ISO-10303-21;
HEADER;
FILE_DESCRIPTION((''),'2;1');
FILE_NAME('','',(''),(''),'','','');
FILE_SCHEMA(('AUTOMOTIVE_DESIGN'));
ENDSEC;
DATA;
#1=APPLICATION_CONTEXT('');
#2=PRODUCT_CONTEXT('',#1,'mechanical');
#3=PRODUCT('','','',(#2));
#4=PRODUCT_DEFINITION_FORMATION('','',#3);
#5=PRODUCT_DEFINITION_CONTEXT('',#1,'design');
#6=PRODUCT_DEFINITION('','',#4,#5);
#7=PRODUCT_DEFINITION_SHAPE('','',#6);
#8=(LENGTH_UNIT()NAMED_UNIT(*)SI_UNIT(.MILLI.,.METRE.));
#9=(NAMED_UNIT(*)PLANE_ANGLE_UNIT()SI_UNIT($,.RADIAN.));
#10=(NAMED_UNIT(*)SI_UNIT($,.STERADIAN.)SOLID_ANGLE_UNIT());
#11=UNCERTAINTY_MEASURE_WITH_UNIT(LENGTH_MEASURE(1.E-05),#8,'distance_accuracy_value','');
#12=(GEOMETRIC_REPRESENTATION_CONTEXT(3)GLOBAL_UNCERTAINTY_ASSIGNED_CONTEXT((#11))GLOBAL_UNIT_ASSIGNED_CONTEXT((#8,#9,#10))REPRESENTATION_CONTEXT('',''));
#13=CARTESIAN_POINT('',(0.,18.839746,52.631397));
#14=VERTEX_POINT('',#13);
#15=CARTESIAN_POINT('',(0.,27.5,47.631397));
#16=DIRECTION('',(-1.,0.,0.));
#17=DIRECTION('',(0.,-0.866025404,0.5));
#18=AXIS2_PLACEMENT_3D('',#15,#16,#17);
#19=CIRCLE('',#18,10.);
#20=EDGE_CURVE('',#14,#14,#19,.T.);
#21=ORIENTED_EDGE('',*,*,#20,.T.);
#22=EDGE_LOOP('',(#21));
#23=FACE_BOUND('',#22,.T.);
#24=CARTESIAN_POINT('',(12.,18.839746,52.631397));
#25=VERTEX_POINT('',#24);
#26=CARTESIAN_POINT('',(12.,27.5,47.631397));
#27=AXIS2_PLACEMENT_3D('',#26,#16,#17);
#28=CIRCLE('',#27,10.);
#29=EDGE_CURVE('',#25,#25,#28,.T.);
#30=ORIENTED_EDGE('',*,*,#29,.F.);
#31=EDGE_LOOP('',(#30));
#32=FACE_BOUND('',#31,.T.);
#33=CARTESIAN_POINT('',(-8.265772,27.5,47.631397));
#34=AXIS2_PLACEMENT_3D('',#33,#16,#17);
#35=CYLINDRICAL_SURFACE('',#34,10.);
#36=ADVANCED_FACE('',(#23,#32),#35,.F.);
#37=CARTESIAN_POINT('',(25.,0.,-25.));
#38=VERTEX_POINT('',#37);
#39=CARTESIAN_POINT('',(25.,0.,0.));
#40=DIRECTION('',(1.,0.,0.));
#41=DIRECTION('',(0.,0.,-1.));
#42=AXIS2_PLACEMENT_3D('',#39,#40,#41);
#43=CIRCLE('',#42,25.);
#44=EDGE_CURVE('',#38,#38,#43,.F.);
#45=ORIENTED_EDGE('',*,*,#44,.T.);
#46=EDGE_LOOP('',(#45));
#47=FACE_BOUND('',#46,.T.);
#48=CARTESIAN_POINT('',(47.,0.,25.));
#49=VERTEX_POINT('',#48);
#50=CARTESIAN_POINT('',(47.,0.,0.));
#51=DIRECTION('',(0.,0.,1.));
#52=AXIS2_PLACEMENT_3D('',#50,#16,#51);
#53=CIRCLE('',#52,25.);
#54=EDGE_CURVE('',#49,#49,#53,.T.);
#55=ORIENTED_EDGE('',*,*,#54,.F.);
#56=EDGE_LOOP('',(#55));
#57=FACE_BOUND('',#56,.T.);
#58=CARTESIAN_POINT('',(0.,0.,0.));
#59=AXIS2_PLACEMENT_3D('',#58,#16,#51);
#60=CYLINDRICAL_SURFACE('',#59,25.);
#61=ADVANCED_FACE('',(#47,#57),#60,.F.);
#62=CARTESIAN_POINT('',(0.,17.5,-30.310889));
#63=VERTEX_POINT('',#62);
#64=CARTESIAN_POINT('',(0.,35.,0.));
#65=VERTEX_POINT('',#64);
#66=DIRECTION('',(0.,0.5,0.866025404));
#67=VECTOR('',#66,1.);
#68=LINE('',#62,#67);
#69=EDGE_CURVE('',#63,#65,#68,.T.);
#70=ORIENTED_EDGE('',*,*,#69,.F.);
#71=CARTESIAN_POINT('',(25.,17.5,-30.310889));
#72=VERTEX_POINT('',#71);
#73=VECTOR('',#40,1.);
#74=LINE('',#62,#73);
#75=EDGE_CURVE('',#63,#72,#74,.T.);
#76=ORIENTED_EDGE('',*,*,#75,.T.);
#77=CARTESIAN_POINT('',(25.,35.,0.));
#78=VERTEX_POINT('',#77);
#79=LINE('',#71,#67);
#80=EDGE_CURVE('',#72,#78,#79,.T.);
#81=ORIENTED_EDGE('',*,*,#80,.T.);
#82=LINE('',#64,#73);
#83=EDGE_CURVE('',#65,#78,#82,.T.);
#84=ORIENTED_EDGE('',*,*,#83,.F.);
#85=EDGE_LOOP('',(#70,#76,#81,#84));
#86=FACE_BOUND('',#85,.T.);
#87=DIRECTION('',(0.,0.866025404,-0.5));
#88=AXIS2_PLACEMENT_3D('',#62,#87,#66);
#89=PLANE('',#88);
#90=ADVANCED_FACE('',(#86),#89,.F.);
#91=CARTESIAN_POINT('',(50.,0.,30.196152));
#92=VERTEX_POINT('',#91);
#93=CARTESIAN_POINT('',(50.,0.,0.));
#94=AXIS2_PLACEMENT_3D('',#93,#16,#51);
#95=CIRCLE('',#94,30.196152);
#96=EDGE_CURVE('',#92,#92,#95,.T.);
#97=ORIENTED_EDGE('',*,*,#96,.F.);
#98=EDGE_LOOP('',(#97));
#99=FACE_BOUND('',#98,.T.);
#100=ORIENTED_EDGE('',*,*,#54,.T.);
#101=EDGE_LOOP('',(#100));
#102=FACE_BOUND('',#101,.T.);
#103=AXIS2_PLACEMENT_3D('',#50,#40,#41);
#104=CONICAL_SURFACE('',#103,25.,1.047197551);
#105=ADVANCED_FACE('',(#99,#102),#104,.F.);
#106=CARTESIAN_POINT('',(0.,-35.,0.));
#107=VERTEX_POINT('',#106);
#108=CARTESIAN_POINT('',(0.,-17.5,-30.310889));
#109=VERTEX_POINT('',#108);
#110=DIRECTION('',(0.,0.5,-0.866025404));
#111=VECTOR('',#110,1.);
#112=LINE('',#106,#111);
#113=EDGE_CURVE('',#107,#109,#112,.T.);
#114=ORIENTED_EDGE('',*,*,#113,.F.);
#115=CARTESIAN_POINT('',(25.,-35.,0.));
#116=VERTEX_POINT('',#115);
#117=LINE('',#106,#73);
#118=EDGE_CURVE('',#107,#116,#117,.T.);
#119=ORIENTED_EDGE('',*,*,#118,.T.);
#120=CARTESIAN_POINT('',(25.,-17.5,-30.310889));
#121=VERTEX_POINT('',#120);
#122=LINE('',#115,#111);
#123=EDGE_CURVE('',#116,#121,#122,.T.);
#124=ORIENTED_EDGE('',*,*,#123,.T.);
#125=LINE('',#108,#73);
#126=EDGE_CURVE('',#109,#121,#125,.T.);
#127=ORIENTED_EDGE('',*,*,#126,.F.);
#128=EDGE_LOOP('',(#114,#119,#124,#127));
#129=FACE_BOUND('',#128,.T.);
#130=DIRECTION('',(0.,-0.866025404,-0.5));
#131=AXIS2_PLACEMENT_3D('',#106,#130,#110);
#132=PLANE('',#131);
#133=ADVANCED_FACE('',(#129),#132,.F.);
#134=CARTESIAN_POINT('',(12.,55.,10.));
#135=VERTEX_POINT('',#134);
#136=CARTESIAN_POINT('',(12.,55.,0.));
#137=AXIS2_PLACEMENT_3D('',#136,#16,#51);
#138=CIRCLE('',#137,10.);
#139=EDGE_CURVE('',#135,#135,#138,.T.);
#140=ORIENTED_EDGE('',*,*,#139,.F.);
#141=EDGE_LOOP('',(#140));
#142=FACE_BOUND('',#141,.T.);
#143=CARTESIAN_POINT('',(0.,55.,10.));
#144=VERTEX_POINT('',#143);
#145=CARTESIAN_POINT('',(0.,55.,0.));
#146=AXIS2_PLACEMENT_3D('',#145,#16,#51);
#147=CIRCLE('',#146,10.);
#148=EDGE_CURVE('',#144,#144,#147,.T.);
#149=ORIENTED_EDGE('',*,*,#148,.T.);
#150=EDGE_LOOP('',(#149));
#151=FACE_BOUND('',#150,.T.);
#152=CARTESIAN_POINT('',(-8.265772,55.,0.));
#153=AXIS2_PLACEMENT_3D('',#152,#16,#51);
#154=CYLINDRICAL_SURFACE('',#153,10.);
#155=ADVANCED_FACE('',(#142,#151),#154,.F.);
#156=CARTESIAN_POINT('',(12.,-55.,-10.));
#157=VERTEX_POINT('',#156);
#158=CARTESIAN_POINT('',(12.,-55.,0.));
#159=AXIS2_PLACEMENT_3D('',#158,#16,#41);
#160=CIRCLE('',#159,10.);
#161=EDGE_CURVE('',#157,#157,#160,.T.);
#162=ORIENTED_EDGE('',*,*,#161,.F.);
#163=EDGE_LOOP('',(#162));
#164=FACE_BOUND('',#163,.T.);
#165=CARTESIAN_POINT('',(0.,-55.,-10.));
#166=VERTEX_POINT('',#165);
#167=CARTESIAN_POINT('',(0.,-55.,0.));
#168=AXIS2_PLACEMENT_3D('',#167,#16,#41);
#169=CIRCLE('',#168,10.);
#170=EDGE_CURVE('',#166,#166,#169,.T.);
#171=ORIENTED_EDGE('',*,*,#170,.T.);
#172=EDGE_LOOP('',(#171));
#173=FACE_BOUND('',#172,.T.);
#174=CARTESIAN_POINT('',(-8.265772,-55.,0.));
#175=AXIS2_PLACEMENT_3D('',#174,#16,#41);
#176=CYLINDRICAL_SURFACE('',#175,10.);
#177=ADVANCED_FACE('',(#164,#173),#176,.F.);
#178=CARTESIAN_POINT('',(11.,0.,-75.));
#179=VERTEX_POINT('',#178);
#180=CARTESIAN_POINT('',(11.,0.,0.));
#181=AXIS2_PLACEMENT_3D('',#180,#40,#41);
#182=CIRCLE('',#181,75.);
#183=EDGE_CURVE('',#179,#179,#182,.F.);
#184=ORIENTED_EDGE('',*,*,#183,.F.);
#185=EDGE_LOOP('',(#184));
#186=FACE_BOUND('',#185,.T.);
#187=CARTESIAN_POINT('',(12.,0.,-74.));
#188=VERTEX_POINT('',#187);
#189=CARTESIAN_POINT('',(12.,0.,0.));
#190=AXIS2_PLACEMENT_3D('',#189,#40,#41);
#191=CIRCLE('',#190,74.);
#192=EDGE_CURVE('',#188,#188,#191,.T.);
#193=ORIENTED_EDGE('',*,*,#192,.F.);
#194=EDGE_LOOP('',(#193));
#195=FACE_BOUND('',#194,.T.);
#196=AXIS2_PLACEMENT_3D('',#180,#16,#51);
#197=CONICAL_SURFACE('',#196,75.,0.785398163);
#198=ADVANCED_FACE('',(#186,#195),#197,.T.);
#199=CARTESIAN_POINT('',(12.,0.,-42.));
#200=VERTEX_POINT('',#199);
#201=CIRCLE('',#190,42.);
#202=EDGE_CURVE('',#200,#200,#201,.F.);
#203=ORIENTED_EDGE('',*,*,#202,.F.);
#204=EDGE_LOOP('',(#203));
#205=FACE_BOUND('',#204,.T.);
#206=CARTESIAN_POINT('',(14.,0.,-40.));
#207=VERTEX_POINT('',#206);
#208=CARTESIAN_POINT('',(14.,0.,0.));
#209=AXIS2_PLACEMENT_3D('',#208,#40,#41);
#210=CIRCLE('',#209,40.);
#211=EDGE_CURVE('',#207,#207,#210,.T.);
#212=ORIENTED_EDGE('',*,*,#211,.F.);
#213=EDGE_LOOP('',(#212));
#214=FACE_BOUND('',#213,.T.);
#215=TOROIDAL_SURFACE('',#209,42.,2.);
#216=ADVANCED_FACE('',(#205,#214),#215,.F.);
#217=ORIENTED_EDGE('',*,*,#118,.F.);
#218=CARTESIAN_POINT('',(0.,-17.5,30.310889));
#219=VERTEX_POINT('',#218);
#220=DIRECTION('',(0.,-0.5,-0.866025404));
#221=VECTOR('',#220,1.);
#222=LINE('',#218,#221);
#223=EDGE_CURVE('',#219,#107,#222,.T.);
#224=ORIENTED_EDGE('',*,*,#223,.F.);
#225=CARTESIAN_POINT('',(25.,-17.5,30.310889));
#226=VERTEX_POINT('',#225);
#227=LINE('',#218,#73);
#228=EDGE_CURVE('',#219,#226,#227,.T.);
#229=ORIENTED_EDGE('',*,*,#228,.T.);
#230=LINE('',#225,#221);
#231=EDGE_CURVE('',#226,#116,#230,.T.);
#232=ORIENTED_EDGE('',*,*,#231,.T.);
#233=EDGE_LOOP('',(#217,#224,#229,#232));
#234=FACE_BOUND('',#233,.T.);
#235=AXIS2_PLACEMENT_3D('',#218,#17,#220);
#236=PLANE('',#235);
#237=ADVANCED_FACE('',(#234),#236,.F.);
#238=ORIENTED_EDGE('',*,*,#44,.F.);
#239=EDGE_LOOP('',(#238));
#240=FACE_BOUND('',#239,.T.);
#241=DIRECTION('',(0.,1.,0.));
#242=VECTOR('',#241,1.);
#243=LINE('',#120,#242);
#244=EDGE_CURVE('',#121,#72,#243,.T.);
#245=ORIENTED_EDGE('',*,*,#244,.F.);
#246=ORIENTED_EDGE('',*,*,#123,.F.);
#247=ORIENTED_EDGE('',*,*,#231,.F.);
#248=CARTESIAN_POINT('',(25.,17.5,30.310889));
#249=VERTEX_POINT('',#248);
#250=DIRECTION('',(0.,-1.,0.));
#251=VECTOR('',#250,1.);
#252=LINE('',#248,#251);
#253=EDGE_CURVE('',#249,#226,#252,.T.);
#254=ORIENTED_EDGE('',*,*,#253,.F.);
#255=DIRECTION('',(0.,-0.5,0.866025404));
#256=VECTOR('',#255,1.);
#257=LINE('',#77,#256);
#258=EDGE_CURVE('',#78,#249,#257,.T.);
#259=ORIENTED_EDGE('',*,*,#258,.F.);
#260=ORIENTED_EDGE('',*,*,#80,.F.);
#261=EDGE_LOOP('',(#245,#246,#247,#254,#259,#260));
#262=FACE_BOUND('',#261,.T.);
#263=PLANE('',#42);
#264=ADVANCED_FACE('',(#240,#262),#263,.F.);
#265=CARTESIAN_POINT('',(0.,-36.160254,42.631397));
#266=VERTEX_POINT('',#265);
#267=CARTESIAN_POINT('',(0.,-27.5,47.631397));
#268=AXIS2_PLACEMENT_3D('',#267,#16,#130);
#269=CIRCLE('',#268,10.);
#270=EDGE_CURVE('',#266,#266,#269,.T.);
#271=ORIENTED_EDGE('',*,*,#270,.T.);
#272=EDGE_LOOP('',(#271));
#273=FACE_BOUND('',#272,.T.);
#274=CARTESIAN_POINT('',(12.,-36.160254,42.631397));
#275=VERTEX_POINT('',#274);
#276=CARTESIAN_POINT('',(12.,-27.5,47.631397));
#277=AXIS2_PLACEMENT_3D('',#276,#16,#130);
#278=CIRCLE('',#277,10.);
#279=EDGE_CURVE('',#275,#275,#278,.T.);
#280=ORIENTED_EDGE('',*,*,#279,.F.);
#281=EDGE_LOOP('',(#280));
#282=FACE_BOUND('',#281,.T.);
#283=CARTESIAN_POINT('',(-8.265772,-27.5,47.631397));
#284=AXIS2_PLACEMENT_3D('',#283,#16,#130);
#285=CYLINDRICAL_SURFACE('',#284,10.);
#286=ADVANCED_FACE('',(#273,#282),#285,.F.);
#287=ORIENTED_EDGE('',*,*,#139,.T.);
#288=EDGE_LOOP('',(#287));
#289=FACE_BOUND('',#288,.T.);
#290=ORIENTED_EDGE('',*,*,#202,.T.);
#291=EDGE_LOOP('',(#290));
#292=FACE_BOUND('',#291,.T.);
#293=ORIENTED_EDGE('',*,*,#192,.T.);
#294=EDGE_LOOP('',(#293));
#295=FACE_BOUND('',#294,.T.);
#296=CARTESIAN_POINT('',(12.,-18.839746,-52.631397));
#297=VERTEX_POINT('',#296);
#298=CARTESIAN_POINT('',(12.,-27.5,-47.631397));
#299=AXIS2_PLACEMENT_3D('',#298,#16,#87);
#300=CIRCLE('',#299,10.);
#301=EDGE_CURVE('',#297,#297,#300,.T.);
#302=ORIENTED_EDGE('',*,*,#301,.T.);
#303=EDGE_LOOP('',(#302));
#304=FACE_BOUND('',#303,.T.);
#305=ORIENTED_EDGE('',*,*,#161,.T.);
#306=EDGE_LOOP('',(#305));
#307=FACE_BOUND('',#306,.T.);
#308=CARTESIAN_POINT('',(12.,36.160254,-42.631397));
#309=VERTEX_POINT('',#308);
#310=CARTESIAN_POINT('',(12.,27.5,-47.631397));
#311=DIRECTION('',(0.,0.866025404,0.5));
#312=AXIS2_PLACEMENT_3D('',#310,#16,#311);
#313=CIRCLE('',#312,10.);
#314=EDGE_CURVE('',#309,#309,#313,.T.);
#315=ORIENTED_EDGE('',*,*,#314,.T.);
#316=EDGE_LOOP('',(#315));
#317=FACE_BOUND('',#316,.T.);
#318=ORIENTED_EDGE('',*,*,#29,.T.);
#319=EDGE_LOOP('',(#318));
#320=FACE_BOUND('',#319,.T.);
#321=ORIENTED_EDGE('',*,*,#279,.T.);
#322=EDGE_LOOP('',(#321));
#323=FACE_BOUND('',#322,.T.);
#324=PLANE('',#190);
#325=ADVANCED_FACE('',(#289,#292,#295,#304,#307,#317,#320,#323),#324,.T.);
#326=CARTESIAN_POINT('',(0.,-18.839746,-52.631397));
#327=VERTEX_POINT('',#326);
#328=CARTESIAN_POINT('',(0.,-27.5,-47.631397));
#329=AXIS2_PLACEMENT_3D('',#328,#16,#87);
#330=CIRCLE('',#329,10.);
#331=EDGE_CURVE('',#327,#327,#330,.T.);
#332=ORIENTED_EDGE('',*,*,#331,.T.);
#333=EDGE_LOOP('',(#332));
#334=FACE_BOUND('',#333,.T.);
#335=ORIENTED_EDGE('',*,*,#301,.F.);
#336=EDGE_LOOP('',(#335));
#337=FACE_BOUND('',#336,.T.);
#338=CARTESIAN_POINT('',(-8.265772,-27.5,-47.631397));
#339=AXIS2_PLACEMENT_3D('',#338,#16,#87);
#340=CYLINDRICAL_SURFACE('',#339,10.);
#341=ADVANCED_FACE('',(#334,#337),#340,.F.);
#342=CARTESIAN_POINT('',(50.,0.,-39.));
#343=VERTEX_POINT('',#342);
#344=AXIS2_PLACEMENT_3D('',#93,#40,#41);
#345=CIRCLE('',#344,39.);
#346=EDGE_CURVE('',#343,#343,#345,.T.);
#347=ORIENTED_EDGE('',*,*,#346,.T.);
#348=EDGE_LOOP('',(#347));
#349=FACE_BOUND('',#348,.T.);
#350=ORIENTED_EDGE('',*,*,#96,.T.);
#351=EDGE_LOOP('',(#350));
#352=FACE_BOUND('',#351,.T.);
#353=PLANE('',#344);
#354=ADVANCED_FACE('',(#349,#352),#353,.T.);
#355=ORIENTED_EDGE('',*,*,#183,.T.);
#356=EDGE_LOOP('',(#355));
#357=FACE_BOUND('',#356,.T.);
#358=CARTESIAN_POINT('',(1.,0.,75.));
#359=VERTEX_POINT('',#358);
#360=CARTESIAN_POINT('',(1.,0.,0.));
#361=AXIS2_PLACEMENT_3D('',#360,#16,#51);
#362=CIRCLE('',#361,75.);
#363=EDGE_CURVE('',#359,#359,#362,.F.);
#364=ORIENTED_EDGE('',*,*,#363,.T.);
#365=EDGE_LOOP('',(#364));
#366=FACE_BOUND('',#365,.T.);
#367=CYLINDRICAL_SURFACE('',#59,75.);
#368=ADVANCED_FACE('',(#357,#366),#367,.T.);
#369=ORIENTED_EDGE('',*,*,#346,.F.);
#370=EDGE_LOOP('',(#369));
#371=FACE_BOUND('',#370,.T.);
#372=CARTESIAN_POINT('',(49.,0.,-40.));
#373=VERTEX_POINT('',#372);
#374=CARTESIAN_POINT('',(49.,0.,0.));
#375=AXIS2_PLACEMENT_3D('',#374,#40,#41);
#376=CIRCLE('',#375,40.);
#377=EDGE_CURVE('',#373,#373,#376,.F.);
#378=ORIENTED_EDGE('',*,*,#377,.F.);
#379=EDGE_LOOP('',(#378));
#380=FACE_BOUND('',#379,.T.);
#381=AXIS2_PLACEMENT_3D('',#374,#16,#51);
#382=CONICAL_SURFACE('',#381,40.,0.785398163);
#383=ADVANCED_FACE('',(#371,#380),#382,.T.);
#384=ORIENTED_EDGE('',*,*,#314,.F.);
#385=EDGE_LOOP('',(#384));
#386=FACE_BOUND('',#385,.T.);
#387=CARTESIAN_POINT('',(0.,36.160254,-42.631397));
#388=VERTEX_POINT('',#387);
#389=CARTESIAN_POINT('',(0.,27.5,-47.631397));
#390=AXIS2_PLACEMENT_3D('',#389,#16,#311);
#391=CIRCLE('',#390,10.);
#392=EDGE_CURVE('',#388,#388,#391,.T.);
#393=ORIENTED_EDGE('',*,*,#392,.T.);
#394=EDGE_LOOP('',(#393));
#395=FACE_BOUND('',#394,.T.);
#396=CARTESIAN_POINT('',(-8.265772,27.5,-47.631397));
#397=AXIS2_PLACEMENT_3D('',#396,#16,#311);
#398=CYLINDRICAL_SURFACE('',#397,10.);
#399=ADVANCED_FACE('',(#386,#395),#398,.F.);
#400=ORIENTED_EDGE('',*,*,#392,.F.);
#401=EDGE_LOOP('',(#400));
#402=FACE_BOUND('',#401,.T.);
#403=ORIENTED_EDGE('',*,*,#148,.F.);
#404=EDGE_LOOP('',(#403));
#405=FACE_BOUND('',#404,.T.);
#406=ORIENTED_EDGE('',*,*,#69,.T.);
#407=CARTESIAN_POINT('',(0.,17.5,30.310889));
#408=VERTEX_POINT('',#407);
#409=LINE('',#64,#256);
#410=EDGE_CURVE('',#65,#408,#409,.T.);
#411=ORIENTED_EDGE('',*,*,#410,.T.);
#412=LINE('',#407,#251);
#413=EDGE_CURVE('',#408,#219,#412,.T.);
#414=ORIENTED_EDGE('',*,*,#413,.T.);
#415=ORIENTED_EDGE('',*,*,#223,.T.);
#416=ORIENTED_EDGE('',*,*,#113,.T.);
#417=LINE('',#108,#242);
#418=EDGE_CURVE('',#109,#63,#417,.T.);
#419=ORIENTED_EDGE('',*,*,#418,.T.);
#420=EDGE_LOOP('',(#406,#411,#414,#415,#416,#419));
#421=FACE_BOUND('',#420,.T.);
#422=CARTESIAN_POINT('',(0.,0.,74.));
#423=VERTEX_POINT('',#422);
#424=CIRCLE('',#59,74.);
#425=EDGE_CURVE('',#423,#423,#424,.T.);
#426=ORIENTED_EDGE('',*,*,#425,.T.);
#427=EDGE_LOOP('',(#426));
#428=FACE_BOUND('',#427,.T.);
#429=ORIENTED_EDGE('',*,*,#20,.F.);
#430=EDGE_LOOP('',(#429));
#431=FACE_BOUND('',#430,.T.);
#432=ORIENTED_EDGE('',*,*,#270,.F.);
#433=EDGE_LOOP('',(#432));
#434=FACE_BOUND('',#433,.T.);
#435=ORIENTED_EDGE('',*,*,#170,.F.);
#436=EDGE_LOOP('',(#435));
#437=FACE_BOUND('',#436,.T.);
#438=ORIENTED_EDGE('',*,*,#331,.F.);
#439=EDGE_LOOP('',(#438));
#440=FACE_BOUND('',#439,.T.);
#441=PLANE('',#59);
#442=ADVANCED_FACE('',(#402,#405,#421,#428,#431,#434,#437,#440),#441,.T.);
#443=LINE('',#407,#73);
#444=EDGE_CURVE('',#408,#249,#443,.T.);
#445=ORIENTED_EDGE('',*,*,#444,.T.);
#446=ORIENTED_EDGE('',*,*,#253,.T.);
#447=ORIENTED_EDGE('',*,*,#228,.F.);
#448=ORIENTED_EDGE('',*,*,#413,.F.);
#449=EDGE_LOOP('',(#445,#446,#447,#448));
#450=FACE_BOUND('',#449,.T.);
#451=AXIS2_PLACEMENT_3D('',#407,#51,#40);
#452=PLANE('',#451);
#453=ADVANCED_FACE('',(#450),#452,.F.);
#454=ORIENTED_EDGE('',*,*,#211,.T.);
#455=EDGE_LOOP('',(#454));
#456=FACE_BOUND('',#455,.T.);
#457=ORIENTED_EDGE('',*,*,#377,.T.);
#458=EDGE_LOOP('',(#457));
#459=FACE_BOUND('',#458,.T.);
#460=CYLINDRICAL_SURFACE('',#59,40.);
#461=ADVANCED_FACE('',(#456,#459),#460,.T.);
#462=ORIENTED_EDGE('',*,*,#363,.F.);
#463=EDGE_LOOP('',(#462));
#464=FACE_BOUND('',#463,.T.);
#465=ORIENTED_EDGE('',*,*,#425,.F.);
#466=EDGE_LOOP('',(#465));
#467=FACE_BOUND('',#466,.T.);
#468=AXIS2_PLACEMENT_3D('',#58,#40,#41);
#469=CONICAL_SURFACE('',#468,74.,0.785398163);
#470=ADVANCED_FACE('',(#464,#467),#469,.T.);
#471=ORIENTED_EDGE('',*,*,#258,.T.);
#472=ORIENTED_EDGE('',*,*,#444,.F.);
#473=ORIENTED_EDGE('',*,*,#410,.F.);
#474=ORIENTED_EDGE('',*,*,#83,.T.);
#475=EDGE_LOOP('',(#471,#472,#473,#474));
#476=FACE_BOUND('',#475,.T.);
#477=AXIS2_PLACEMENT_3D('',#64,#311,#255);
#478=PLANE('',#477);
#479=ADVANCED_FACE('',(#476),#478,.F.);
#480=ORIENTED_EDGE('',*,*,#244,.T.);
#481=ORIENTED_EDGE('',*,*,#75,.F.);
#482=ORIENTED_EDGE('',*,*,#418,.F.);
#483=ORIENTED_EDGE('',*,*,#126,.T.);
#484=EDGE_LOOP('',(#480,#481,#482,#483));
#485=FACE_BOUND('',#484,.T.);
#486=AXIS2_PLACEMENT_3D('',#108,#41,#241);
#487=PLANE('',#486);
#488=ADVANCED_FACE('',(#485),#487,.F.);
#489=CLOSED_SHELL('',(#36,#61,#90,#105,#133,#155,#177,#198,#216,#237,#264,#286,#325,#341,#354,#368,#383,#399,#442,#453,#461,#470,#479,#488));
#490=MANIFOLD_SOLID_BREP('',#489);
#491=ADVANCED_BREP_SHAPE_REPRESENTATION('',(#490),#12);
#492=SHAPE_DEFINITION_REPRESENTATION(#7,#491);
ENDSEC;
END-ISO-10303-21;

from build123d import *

# Parameters (mm, degrees)
FILLET_2_R               = 2
CHAMFER_2_SIZE           = 1
SKETCH_1_8_W             = 12
SKETCH_1_8_H             = 10
PATTERN_CIRCULAR_1_COUNT = 6
CUT_EXTRUDE_1_DEPTH      = 109.972473589


with BuildPart() as part:
    # Эскиз1 → Повернуть1 (revolve)
    with BuildSketch(Plane.XY):
        Polygon((0, 25), (50, 25), (50, 40), (12, 40), (12, 75), (0, 75), align=None)
    revolve(axis=Axis((0, 0, 0), (1, 0, 0)))

    # Скругление2
    fillet_2_edges = [part.edges().sort_by_distance(p)[0] for p in [
        (12, -40, 0),
    ]]
    fillet(fillet_2_edges, radius=FILLET_2_R)

    # Фаска2
    chamfer_2_edges = [part.edges().sort_by_distance(p)[0] for p in [
        (50, -40, 0),
        (0, -75, 0),
        (12, -75, 0),
    ]]
    chamfer(chamfer_2_edges, length=CHAMFER_2_SIZE)

    # Эскиз1<8> → Вырез-Повернуть1 (revolve, cut)
    with BuildSketch(Plane.XY):
        with Locations((6, 60)):
            Rectangle(SKETCH_1_8_W, SKETCH_1_8_H)
    cut_revolve_1 = revolve(axis=Axis((-8.265772118, 55, 0), (1, 0, 0)), mode=Mode.SUBTRACT)

    # Круговой массив1: Вырез-Повернуть1 ×6 about axis
    pattern_circular_1_axis = Axis((50, 0, 0), (-1, 0, 0))
    for i in range(1, PATTERN_CIRCULAR_1_COUNT):
        add(cut_revolve_1.rotate(pattern_circular_1_axis, i * 360 / PATTERN_CIRCULAR_1_COUNT), mode=Mode.SUBTRACT)

    # Эскиз2 → Вырез-Повернуть3 (revolve, cut)
    with BuildSketch(Plane(origin=(0, 0, 0), x_dir=(1, 0, 0), z_dir=(0, 1, 0))):
        Polygon((47, 25), (50, 25), (50, 30.196152423), align=None)
    revolve(axis=Axis((0, 0, 0), (1, 0, 0)), mode=Mode.SUBTRACT)

    # Эскиз3 → Вырез-Вытянуть1 (cut, through all)
    with BuildSketch(Plane(origin=(25, 0, 0), x_dir=(0, 0, -1), z_dir=(1, 0, 0))):
        Polygon((0, 35), (-30.310889132, 17.5), (-30.310889132, -17.5), (0, -35), (30.310889132, -17.5), (30.310889132, 17.5), align=None)
    extrude(amount=-CUT_EXTRUDE_1_DEPTH, mode=Mode.SUBTRACT)


solid = part.part
